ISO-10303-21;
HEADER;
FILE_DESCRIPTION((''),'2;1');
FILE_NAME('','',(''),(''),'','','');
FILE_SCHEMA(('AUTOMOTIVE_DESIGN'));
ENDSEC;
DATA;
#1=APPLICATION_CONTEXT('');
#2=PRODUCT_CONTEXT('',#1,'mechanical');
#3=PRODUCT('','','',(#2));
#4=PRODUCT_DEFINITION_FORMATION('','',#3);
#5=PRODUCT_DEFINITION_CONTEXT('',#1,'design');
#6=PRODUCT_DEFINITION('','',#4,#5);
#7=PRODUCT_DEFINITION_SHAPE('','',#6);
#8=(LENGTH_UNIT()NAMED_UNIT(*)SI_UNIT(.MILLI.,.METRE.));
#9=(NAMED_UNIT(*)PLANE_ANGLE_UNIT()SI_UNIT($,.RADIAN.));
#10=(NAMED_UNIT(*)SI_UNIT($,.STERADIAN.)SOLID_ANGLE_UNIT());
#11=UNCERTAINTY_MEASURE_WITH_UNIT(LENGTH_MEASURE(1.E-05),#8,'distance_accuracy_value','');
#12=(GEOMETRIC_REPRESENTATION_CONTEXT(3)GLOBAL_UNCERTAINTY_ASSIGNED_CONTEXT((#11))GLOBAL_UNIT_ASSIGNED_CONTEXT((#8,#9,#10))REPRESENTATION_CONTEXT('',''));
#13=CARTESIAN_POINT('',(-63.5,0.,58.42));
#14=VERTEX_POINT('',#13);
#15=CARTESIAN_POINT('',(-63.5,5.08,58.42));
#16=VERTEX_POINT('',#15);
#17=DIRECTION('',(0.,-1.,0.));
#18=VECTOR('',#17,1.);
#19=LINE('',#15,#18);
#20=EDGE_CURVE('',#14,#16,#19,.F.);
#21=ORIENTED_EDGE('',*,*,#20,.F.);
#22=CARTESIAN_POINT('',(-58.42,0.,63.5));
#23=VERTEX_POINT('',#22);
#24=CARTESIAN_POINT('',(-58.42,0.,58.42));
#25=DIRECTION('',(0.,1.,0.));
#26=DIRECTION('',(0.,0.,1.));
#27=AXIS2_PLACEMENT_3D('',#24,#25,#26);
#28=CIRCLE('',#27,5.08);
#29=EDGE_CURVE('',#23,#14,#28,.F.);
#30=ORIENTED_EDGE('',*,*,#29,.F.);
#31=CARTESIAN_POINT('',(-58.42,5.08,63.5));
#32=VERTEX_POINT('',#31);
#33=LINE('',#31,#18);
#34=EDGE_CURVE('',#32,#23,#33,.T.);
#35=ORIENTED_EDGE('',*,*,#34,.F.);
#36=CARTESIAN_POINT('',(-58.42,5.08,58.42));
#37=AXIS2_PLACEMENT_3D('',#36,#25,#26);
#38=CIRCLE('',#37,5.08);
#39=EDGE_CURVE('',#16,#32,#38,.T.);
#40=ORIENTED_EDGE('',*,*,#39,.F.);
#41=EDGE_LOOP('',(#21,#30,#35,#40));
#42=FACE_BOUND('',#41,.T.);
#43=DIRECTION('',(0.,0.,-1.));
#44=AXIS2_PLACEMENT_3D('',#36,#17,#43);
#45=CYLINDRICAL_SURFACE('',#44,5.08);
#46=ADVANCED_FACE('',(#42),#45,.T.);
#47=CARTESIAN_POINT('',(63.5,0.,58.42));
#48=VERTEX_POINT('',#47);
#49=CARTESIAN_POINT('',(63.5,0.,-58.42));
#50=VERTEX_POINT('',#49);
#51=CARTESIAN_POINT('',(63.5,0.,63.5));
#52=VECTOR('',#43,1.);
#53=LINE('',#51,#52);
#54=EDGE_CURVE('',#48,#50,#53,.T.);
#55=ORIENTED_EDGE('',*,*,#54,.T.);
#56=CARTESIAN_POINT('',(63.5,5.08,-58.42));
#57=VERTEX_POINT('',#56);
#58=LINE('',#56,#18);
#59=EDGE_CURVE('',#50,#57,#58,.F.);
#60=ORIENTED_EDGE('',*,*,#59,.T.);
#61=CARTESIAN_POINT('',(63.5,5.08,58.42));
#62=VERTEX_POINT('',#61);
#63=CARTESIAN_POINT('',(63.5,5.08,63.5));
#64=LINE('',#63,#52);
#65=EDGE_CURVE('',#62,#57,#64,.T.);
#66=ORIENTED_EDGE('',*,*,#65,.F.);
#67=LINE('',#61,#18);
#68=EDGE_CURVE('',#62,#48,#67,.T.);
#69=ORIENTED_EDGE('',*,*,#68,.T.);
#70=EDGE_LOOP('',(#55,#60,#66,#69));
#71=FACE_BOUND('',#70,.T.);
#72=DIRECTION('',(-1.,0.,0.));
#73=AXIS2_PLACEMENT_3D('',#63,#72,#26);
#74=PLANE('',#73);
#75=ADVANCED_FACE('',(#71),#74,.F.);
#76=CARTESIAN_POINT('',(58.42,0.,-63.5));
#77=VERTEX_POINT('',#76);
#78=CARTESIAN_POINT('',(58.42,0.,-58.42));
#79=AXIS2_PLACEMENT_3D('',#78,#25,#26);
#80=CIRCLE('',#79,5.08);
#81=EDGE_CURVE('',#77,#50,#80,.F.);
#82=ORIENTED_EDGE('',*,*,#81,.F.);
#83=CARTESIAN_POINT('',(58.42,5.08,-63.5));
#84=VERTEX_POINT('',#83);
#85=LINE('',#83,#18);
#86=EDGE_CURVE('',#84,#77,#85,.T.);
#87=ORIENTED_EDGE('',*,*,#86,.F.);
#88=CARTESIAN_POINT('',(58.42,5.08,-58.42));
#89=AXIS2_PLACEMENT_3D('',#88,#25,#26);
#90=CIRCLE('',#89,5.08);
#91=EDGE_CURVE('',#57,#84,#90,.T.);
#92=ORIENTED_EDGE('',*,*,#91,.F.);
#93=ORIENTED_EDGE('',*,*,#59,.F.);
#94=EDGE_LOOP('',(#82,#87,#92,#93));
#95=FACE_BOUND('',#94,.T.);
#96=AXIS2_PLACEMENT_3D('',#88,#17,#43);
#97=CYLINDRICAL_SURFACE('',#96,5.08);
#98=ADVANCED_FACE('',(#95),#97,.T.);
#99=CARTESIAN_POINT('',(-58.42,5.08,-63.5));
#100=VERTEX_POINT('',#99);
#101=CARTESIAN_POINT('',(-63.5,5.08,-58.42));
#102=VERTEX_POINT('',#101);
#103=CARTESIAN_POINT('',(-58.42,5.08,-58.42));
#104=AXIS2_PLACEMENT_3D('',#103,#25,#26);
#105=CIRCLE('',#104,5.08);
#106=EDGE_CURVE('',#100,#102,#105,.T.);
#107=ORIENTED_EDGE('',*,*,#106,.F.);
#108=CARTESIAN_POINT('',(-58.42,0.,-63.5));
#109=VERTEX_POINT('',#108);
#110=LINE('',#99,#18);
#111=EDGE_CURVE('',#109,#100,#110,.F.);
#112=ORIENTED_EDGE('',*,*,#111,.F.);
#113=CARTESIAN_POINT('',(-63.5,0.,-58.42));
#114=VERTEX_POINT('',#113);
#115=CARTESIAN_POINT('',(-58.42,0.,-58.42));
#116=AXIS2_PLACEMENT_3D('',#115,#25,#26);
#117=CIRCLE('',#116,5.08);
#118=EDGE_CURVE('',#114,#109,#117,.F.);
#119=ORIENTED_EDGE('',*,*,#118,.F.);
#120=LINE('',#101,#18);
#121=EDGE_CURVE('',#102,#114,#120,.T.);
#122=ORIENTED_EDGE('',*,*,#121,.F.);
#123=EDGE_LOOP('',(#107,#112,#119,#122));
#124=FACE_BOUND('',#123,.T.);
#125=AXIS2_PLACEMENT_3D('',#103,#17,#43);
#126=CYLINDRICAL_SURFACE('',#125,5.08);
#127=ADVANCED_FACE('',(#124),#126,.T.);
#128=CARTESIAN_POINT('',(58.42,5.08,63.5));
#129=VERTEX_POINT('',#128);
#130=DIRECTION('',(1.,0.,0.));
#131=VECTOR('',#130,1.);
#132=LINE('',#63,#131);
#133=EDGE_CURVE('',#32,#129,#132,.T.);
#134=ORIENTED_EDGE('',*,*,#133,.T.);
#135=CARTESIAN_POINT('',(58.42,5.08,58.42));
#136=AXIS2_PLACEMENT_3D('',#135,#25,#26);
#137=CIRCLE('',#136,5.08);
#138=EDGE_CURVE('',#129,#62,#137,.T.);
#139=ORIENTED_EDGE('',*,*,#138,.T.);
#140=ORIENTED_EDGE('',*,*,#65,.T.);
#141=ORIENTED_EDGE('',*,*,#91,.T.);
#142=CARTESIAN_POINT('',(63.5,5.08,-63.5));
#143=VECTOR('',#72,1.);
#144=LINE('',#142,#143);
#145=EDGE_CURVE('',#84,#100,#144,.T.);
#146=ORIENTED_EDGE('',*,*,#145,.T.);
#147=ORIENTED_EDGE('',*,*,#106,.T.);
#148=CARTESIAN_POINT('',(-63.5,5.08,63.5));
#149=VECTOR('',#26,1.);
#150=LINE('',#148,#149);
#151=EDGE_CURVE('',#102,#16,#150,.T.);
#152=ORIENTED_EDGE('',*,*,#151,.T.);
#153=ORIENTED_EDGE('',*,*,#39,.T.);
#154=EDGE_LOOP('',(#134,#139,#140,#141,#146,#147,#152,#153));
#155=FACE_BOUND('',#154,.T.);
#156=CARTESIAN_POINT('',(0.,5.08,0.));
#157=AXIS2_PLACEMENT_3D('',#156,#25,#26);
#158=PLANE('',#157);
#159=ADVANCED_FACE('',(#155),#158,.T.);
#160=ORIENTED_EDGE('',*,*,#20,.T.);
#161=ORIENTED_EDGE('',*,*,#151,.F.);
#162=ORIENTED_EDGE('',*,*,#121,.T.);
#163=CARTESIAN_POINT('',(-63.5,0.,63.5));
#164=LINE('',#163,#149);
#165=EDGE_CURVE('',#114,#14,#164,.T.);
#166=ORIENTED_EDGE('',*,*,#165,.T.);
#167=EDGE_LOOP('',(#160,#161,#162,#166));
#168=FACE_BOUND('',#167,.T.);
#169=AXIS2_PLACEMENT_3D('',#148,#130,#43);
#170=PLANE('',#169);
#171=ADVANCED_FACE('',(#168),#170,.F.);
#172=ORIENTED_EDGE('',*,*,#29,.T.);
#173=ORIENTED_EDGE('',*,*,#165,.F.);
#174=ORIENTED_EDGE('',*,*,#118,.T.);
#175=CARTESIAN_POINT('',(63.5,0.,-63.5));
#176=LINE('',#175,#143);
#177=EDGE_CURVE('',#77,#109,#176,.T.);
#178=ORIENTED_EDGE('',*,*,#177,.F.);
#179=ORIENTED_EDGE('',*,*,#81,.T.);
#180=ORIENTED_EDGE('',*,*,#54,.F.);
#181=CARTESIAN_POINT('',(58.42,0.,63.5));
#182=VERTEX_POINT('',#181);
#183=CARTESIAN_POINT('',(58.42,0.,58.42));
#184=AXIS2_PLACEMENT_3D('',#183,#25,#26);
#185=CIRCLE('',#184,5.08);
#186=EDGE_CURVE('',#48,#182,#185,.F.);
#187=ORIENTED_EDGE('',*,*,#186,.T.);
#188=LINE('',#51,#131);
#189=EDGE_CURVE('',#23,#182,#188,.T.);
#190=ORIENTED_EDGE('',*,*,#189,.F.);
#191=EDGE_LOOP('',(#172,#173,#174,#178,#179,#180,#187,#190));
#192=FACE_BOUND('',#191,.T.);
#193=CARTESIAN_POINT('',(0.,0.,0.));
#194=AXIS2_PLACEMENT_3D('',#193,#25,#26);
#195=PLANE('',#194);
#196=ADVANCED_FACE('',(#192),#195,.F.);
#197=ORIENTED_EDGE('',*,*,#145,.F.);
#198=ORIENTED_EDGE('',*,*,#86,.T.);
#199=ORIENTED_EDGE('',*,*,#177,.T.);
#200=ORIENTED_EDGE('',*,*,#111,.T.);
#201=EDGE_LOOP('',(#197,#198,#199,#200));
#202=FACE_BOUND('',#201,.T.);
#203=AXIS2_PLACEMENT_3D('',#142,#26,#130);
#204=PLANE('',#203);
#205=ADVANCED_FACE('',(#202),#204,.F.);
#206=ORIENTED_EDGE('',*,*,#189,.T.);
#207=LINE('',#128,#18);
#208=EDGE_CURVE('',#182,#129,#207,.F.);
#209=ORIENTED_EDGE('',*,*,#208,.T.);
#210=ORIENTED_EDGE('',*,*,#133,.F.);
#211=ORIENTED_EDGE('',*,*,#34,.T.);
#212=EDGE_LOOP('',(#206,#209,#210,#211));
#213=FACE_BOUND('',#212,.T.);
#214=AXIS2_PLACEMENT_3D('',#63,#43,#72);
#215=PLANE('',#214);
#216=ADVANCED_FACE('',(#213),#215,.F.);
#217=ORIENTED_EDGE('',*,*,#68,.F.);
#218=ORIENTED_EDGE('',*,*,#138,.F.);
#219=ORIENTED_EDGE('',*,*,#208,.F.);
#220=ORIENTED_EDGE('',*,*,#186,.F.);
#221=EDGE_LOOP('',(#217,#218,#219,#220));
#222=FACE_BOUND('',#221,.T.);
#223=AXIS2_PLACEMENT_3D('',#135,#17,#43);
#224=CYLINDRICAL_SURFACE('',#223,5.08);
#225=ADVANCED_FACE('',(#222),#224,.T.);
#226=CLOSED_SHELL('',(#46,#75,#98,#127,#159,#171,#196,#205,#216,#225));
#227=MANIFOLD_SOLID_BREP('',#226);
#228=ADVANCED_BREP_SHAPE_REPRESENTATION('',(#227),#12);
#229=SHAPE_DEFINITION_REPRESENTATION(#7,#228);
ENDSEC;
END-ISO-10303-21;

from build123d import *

# Parameters (mm, degrees)
SKETCH1_W           = 127
SKETCH1_H           = 127
BOSS_EXTRUDE1_DEPTH = 5.08
FILLET1_R           = 5.08


with BuildPart() as part:
    # Sketch1 → Boss-Extrude1 (new body)
    with BuildSketch(Plane(origin=(0, 0, 0), x_dir=(1, 0, 0), z_dir=(0, 1, 0))):
        Rectangle(SKETCH1_W, SKETCH1_H)
    extrude(amount=BOSS_EXTRUDE1_DEPTH)

    # Fillet1
    fillet1_edges = [part.edges().sort_by_distance(p)[0] for p in [
        (-63.5, 2.54, -63.5),
        (63.5, 2.54, -63.5),
        (63.5, 2.54, 63.5),
        (-63.5, 2.54, 63.5),
    ]]
    fillet(fillet1_edges, radius=FILLET1_R)


solid = part.part
